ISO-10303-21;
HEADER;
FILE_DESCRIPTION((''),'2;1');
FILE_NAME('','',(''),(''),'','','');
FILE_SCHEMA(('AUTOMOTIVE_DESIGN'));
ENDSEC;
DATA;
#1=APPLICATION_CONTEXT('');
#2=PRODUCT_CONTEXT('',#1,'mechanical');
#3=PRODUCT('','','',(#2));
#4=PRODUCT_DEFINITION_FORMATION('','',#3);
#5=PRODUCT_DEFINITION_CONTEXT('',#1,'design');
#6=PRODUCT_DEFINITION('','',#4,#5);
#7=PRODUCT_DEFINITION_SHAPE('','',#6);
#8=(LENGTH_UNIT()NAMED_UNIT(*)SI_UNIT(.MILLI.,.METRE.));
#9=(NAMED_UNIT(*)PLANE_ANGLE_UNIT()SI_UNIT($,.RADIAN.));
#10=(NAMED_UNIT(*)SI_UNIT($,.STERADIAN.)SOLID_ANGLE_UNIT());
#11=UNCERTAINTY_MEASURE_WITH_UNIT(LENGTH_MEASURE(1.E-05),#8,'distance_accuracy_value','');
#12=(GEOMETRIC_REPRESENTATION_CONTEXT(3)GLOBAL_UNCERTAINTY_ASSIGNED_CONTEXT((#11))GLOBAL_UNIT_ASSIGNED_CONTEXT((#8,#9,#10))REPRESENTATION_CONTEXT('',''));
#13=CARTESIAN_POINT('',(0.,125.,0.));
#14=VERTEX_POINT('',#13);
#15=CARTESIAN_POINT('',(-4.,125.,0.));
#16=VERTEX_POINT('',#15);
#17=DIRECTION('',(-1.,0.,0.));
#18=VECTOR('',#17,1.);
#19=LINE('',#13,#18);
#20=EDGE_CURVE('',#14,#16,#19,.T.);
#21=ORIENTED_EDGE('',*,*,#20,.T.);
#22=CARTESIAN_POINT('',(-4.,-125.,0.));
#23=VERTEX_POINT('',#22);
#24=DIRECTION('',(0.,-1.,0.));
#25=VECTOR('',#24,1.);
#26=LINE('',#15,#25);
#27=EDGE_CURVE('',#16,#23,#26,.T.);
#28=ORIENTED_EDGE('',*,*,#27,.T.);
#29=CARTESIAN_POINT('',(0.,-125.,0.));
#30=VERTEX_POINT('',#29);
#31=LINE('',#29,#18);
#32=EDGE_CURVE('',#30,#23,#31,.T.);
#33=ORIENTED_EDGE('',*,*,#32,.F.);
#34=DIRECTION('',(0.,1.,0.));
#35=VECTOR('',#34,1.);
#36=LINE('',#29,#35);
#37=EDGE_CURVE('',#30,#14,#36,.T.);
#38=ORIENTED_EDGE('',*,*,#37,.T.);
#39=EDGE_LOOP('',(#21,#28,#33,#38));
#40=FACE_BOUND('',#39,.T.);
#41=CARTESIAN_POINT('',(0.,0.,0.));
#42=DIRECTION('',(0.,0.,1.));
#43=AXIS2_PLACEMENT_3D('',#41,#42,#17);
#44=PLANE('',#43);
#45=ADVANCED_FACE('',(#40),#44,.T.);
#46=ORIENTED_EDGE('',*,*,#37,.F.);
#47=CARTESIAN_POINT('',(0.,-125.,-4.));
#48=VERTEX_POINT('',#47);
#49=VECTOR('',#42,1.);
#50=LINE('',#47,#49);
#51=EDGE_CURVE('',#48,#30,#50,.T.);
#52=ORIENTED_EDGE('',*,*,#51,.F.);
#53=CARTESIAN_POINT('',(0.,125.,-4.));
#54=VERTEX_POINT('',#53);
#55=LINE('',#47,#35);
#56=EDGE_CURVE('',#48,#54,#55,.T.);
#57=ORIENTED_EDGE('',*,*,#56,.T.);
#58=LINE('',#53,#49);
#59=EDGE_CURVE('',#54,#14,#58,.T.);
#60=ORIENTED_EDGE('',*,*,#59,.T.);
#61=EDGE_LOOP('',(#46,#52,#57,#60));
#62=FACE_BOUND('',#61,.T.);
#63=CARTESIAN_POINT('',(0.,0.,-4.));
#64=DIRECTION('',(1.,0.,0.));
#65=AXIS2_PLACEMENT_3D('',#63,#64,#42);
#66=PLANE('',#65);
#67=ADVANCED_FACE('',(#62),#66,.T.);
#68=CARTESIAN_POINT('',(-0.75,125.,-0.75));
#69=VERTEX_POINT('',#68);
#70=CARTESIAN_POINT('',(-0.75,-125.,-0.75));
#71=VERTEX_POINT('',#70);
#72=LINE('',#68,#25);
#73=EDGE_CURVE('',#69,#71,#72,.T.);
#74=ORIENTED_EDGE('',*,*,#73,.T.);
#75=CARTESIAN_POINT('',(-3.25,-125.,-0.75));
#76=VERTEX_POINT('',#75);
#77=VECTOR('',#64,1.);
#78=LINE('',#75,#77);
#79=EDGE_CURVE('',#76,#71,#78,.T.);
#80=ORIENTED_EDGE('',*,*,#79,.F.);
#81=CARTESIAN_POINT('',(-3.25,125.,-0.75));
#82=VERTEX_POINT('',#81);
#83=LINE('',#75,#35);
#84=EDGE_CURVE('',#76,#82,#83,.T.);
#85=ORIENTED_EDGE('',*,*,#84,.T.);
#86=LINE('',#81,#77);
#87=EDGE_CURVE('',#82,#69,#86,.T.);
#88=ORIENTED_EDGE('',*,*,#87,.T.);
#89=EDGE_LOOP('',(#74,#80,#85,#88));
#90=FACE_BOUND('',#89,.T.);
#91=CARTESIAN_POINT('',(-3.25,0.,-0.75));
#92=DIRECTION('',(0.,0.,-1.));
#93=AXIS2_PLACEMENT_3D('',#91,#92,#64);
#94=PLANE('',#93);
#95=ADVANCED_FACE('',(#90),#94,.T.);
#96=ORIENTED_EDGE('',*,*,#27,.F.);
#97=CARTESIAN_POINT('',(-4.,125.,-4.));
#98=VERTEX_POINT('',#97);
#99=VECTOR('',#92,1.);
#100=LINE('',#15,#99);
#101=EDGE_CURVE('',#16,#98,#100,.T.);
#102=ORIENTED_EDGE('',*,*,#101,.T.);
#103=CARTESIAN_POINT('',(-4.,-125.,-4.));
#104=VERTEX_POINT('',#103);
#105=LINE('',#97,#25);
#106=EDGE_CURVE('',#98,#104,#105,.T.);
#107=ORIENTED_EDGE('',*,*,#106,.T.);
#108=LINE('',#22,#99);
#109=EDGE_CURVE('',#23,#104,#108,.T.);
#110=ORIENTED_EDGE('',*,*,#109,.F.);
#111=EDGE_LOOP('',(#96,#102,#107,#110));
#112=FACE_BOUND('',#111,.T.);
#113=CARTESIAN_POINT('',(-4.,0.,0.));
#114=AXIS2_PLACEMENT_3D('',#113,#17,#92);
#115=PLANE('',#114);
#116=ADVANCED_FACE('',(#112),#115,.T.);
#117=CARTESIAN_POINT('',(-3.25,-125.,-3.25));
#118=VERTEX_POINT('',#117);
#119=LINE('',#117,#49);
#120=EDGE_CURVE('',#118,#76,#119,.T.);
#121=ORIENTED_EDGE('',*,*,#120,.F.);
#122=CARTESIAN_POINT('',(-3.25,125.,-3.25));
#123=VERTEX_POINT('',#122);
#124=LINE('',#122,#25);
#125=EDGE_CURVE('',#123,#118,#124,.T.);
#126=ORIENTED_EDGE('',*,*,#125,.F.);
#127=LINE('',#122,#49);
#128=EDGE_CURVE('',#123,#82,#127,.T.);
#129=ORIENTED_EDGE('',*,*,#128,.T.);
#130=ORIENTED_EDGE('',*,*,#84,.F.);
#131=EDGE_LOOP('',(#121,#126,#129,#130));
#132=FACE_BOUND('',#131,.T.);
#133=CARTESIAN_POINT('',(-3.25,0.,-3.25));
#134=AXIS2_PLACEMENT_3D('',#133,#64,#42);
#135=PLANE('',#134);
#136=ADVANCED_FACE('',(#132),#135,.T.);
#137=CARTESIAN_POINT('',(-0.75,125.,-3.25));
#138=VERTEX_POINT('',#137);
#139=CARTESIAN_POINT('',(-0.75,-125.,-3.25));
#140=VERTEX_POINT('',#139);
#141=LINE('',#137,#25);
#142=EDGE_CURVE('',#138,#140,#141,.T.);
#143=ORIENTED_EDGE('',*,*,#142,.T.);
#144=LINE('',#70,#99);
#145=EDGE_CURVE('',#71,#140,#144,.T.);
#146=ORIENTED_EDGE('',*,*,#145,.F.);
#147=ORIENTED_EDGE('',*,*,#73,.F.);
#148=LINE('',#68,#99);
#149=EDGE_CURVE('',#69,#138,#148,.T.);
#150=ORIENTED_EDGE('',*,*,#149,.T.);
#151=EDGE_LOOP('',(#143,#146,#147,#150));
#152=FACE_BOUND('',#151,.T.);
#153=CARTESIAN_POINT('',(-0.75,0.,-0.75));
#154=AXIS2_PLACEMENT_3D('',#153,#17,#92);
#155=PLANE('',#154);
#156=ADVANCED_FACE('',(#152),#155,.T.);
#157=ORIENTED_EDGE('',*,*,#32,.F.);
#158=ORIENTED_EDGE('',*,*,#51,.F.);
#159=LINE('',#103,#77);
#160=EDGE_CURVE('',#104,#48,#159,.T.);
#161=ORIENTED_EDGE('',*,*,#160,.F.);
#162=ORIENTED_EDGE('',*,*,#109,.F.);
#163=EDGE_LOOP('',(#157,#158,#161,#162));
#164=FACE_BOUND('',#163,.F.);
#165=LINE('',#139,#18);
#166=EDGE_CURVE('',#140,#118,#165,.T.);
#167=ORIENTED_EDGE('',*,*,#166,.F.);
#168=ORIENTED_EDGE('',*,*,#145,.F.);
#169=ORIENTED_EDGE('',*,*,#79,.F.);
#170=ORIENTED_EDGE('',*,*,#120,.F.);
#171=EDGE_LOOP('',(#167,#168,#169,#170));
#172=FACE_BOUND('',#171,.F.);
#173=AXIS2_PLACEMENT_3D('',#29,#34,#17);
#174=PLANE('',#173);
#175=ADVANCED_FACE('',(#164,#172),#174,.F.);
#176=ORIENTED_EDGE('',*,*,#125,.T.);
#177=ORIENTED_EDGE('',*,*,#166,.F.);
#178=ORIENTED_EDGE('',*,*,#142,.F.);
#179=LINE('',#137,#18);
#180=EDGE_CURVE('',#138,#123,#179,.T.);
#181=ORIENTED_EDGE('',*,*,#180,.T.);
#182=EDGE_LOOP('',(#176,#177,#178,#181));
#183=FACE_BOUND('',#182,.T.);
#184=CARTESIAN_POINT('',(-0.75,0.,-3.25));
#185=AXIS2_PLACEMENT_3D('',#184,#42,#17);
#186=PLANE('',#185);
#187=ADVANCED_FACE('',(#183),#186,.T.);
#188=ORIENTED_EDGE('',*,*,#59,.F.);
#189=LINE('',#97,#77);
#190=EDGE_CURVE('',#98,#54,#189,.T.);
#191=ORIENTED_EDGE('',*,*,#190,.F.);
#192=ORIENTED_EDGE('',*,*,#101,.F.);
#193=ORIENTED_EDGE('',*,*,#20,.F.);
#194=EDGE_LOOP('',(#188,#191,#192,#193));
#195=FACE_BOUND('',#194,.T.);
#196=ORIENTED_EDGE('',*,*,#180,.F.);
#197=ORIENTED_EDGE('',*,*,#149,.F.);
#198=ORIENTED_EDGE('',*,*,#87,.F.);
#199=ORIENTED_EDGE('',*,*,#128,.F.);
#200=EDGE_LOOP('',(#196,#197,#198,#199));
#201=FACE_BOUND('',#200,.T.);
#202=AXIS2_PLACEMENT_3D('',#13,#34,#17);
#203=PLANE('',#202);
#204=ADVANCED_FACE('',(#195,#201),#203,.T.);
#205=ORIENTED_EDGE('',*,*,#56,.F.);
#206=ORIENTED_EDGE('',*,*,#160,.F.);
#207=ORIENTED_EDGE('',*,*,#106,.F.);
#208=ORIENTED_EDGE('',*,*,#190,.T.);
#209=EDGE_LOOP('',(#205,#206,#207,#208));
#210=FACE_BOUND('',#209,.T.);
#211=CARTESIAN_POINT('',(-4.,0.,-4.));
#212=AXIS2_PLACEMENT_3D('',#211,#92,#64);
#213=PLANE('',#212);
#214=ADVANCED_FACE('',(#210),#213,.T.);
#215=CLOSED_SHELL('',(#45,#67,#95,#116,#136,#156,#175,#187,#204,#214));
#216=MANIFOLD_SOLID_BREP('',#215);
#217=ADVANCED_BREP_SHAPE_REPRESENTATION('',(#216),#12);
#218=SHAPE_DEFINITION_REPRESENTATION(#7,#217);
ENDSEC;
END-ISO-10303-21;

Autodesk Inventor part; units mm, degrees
ref_plane "YZ Plane" through (0, 0, 0) normal (1, 0, 0) x (0, 1, 0)
ref_plane "XZ Plane" through (0, 0, 0) normal (0, 1, 0) x (-1, 0, 0)
ref_plane "XY Plane" through (0, 0, 0) normal (0, 0, 1) x (1, 0, 0)
sketch "Sketch1" plane through (0, 0, 0) normal (0, 1, 0) x (-1, 0, 0)
  line L0 (0, 0) -> (4, 0)
  line L1 (4, 0) -> (4, -4)
  line L2 (4, -4) -> (0, -4)
  line L3 (0, -4) -> (0, 0)
  line L4 (3.25, -0.75) -> (0.75, -0.75)
  line L5 (0.75, -0.75) -> (0.75, -3.25)
  line L6 (0.75, -3.25) -> (3.25, -3.25)
  line L7 (3.25, -3.25) -> (3.25, -0.75)
  dimension "d0" = 4
  dimension "d1" = 4
  dimension "d4" = 0.75
extrude "Extrusion2" add sketch "Sketch1" along normal mid plane 250
properties part number "carbon_stick_gimbal"
